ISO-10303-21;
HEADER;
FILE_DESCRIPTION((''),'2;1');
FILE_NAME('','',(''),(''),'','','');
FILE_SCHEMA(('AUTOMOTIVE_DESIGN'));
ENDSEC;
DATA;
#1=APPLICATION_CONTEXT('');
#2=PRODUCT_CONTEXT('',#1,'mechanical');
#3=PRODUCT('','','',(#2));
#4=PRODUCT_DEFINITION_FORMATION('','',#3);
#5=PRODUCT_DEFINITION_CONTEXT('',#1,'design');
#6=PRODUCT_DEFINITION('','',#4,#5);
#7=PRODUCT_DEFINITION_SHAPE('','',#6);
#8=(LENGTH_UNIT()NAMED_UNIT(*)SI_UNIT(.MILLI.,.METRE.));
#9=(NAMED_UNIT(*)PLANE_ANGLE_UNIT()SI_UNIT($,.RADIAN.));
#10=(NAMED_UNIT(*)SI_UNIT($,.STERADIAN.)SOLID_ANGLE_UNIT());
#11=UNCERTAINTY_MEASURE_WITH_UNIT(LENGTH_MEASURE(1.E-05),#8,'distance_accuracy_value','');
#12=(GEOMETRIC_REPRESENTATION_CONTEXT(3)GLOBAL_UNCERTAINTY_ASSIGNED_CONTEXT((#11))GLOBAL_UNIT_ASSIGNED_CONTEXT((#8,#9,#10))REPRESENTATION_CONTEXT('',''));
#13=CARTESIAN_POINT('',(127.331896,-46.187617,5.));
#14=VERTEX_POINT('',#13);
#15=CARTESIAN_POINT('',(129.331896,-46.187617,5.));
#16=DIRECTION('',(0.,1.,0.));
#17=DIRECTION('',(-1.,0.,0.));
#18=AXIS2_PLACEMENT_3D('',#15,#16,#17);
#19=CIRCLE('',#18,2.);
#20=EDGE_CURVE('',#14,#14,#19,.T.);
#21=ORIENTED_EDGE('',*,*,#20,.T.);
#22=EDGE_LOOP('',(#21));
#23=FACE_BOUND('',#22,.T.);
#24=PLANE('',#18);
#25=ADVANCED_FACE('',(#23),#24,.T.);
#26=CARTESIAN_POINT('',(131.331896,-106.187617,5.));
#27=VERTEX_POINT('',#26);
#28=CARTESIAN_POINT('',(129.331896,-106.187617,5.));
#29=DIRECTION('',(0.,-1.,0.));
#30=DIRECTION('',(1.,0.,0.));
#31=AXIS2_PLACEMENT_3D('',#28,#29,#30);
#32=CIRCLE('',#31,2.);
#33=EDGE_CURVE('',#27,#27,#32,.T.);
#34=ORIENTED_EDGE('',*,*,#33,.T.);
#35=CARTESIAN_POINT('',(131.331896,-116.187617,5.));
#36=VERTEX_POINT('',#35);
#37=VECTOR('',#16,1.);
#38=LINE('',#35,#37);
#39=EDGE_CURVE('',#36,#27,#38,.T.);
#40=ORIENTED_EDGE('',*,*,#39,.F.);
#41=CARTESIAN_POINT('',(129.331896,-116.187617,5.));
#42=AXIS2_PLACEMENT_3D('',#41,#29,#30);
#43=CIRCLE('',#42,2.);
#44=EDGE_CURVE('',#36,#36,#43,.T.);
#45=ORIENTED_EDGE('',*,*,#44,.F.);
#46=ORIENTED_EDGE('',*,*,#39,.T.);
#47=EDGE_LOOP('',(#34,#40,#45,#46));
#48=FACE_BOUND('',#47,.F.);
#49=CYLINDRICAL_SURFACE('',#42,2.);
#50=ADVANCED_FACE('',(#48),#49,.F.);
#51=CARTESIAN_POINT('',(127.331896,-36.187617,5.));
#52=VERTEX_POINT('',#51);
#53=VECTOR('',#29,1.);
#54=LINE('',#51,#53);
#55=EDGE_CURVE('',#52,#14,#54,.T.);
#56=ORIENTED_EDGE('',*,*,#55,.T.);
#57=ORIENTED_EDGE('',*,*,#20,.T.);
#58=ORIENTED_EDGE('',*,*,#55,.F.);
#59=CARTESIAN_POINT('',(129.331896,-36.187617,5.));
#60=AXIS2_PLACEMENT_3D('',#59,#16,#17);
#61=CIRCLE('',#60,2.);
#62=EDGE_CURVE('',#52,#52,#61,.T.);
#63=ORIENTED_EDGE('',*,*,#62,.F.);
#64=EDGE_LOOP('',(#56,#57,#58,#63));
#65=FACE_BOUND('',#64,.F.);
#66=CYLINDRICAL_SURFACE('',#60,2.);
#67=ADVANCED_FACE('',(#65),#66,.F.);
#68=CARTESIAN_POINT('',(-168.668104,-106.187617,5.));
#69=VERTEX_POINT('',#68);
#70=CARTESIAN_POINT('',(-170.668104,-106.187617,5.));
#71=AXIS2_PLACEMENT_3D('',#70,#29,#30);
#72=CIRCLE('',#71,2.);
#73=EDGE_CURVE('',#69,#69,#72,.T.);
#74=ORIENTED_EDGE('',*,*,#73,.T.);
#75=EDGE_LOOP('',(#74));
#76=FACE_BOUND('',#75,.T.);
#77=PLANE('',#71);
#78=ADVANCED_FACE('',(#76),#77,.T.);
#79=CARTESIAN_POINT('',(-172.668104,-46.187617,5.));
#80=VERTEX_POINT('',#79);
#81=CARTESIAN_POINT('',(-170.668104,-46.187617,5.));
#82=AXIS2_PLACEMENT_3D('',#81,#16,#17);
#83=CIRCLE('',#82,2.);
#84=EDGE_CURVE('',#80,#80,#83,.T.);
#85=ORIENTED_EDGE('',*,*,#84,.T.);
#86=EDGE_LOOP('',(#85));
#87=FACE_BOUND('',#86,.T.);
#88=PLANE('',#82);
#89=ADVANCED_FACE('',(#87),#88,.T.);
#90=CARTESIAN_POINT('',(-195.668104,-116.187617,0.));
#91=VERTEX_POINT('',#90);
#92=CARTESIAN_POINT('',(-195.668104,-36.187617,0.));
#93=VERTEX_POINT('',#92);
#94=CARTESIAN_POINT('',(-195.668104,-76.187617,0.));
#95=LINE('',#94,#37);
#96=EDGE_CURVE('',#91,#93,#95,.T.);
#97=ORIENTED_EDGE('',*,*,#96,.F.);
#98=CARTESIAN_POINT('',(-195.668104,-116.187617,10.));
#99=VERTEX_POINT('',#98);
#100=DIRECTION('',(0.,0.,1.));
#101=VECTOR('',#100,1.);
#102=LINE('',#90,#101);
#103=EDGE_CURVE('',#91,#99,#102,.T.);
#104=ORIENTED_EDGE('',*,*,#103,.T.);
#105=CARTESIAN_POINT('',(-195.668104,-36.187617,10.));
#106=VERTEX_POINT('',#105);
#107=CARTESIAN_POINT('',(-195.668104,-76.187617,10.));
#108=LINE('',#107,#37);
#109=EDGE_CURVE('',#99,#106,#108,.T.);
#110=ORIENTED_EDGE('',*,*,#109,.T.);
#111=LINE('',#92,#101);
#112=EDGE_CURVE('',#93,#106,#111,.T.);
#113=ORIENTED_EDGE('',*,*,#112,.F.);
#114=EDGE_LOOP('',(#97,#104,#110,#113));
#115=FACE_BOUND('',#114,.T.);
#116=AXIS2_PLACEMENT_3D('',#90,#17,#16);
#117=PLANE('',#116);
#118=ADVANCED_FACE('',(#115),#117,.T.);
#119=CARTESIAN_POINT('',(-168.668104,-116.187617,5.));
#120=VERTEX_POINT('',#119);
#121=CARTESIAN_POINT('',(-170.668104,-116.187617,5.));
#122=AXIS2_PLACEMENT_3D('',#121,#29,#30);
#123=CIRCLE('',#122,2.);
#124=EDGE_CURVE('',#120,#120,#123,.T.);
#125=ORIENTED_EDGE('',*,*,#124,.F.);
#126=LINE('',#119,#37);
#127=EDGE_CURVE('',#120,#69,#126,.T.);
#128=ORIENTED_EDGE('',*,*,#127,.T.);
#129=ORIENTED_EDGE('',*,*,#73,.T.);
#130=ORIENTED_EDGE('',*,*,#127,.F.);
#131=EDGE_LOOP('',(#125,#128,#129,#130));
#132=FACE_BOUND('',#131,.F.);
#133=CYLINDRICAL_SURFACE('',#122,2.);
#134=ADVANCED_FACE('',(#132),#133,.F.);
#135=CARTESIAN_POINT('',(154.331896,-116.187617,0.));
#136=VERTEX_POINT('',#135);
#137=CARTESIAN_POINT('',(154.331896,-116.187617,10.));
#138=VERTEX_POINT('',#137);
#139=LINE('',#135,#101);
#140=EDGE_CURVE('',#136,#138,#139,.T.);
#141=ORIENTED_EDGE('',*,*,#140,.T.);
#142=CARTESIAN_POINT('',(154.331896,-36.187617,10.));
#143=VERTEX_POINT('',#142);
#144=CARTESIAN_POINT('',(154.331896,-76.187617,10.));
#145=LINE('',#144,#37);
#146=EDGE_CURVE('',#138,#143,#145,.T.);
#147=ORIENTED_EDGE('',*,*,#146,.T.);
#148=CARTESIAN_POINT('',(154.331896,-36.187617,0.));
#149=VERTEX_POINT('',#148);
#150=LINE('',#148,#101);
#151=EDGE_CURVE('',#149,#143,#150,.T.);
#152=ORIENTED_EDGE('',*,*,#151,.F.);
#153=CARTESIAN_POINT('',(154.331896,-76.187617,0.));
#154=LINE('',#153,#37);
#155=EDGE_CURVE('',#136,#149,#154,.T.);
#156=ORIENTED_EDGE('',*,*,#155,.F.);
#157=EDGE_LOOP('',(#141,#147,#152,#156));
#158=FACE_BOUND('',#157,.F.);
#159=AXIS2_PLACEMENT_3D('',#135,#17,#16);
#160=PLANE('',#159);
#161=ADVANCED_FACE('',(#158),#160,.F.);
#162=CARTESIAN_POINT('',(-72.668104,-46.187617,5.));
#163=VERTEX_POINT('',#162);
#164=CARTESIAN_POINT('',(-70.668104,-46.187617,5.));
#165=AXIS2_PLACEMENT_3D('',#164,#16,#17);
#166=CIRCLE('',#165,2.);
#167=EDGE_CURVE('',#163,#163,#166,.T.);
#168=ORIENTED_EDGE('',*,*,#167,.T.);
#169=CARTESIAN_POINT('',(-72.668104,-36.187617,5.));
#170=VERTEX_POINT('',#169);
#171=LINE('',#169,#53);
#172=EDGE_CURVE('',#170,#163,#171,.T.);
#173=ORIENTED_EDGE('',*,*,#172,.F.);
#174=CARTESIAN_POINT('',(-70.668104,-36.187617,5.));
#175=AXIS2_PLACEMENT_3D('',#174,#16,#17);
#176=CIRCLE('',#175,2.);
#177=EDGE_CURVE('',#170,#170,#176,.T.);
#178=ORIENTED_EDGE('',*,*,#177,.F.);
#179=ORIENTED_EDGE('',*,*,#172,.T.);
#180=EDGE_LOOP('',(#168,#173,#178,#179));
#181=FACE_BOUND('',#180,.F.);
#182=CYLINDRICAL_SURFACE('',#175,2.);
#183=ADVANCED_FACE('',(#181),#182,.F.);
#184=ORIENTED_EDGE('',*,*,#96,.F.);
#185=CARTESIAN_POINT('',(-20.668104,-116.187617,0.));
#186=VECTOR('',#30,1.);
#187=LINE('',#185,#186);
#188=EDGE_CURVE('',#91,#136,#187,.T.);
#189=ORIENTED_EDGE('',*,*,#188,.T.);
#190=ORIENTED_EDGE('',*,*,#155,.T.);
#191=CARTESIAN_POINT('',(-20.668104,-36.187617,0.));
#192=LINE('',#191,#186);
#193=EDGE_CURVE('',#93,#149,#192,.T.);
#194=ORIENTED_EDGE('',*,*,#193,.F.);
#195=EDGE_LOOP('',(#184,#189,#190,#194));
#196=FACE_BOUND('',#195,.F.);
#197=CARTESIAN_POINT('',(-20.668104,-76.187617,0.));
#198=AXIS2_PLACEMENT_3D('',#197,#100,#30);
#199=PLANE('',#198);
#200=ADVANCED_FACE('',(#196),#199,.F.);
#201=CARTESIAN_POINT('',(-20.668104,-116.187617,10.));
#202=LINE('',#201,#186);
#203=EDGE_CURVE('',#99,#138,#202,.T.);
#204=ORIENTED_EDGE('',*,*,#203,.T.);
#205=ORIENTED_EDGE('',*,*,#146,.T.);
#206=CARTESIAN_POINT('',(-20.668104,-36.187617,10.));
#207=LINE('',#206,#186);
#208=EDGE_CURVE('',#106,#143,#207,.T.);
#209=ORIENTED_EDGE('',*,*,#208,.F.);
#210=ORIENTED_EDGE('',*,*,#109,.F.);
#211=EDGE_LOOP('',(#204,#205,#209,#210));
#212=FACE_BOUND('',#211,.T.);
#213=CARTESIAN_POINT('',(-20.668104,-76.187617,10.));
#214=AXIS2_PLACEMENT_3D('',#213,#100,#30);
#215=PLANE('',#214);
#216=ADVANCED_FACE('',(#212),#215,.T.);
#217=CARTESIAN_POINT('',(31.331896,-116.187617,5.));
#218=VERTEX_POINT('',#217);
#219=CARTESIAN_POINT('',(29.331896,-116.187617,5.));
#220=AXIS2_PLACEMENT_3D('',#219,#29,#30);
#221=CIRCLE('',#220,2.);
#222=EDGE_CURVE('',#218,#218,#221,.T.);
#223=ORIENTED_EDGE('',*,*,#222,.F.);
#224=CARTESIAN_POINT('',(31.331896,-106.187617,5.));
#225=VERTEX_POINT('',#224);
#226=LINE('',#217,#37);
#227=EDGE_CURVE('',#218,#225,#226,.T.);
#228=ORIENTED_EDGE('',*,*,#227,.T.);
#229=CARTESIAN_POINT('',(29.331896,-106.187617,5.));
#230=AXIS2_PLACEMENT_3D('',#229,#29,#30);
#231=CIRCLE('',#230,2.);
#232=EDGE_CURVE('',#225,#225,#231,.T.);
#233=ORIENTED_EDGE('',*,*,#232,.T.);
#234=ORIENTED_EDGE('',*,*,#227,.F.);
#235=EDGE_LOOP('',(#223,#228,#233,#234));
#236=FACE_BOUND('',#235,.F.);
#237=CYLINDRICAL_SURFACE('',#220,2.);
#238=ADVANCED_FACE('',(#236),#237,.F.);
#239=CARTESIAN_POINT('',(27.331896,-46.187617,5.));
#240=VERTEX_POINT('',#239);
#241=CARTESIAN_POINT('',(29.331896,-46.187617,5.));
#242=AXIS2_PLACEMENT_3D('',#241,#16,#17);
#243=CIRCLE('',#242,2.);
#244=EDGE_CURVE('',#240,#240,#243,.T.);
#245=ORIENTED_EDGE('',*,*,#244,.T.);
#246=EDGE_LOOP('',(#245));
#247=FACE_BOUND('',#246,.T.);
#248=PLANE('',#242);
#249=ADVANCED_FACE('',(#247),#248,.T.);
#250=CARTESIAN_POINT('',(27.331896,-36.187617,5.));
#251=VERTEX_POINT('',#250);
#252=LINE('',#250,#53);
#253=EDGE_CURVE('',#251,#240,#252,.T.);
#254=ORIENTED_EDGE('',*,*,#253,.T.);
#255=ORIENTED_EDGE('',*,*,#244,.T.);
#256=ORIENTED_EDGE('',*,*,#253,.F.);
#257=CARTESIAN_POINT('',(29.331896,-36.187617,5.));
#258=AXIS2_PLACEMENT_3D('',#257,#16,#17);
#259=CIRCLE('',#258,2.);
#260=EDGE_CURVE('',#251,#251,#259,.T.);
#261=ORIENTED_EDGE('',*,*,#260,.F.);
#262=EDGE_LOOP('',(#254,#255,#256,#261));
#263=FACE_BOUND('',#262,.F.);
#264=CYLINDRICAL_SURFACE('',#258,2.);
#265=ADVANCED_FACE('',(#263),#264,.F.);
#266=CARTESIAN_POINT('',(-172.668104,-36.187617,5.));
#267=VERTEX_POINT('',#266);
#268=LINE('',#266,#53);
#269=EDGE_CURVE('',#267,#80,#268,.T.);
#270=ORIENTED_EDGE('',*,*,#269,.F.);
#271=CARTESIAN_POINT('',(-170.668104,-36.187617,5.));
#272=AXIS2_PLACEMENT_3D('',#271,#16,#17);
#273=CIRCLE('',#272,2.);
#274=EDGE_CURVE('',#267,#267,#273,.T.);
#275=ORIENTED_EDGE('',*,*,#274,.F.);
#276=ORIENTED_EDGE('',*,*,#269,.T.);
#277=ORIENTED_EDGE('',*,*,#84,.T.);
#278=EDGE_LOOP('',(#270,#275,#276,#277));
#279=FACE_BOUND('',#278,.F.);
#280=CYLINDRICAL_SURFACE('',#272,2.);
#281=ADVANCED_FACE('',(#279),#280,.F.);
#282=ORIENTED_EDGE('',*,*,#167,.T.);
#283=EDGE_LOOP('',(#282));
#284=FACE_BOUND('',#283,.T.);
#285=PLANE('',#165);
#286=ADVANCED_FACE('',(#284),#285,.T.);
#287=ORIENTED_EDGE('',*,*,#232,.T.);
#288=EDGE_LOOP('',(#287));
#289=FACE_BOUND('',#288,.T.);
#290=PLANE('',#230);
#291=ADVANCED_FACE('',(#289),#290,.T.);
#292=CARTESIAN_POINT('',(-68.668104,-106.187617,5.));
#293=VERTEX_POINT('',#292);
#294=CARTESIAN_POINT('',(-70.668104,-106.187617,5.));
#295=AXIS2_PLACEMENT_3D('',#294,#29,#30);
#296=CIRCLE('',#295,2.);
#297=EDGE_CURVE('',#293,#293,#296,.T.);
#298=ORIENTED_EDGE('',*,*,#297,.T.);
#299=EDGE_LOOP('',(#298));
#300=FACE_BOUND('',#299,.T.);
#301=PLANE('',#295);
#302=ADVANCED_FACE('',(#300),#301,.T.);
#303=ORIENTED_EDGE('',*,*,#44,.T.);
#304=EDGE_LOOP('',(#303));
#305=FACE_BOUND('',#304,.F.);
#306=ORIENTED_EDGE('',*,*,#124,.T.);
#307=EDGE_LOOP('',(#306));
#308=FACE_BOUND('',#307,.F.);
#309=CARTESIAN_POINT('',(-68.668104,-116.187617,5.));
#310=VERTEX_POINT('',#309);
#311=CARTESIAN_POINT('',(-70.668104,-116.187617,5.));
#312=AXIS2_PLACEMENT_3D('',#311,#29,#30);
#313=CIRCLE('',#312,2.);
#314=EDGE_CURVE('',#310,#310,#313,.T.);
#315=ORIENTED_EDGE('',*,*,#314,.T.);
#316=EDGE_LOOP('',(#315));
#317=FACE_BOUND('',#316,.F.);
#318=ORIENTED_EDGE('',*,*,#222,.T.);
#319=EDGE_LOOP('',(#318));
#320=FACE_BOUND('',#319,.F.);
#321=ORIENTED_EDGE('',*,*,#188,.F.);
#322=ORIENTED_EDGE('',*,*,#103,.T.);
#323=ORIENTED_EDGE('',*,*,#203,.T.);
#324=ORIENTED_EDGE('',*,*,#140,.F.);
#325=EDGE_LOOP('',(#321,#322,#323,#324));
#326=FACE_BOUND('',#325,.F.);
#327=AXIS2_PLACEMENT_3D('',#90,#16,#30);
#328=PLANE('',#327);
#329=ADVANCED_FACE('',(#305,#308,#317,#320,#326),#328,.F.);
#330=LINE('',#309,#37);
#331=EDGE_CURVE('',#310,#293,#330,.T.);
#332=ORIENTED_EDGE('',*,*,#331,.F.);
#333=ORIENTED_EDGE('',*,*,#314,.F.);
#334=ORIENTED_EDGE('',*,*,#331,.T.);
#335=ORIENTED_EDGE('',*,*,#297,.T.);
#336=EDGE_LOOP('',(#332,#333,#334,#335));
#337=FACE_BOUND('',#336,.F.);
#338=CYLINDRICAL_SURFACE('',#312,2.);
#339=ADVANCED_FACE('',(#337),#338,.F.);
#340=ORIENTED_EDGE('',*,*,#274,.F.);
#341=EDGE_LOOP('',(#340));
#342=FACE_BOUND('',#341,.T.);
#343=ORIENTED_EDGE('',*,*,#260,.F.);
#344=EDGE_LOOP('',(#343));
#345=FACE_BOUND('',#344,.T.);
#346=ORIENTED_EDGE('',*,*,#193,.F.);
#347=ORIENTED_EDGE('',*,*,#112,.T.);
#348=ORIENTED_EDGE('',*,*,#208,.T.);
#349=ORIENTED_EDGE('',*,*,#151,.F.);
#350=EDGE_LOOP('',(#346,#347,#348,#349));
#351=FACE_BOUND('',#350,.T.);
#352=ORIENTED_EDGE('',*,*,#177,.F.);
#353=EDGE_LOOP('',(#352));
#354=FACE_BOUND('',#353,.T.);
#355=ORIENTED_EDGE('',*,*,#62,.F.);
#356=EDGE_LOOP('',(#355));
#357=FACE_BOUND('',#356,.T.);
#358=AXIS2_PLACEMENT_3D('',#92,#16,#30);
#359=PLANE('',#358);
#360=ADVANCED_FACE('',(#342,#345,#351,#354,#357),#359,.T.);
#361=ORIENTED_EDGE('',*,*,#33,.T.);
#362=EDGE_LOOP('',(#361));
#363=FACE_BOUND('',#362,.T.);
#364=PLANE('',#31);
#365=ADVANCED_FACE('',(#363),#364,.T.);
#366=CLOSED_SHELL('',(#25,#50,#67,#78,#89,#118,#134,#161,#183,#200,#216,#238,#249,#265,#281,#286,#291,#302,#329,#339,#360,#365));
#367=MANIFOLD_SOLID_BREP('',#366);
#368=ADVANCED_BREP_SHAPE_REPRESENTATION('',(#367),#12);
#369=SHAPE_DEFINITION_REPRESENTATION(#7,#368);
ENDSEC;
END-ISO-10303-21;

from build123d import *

# Parameters (mm, degrees)
F0_W     = 350
F0_H     = 80
F1_DEPTH = 10
F2_R     = 2
F3_DEPTH = 10
F4_R     = 2
F5_DEPTH = 10


with BuildPart() as f1:
    # F0 (on Top) → F1 (new body)
    with BuildSketch(Plane.XY):
        with Locations((-20.668104, -76.187617)):
            Rectangle(F0_W, F0_H)
    extrude(amount=F1_DEPTH)

    # F2 (on face) → F3 (cut)
    with BuildSketch(Plane.XZ.offset(116.187617)):
        with Locations((-170.668104, 5)):
            Circle(F2_R)
        with Locations((-70.668104, 5)):
            Circle(F2_R)
        with Locations((29.331896, 5)):
            Circle(F2_R)
        with Locations((129.331896, 5)):
            Circle(F2_R)
    extrude(amount=-F3_DEPTH, mode=Mode.SUBTRACT)

    # F4 (on face) → F5 (cut)
    with BuildSketch(Plane(origin=(0, -36.187617, 0), x_dir=(-1, 0, 0), z_dir=(0, 1, 0))):
        with Locations((170.668104, 5)):
            Circle(F4_R)
        with Locations((70.668104, 5)):
            Circle(F4_R)
        with Locations((-29.331896, 5)):
            Circle(F4_R)
        with Locations((-129.331896, 5)):
            Circle(F4_R)
    extrude(amount=-F5_DEPTH, mode=Mode.SUBTRACT)


solid = f1.part
